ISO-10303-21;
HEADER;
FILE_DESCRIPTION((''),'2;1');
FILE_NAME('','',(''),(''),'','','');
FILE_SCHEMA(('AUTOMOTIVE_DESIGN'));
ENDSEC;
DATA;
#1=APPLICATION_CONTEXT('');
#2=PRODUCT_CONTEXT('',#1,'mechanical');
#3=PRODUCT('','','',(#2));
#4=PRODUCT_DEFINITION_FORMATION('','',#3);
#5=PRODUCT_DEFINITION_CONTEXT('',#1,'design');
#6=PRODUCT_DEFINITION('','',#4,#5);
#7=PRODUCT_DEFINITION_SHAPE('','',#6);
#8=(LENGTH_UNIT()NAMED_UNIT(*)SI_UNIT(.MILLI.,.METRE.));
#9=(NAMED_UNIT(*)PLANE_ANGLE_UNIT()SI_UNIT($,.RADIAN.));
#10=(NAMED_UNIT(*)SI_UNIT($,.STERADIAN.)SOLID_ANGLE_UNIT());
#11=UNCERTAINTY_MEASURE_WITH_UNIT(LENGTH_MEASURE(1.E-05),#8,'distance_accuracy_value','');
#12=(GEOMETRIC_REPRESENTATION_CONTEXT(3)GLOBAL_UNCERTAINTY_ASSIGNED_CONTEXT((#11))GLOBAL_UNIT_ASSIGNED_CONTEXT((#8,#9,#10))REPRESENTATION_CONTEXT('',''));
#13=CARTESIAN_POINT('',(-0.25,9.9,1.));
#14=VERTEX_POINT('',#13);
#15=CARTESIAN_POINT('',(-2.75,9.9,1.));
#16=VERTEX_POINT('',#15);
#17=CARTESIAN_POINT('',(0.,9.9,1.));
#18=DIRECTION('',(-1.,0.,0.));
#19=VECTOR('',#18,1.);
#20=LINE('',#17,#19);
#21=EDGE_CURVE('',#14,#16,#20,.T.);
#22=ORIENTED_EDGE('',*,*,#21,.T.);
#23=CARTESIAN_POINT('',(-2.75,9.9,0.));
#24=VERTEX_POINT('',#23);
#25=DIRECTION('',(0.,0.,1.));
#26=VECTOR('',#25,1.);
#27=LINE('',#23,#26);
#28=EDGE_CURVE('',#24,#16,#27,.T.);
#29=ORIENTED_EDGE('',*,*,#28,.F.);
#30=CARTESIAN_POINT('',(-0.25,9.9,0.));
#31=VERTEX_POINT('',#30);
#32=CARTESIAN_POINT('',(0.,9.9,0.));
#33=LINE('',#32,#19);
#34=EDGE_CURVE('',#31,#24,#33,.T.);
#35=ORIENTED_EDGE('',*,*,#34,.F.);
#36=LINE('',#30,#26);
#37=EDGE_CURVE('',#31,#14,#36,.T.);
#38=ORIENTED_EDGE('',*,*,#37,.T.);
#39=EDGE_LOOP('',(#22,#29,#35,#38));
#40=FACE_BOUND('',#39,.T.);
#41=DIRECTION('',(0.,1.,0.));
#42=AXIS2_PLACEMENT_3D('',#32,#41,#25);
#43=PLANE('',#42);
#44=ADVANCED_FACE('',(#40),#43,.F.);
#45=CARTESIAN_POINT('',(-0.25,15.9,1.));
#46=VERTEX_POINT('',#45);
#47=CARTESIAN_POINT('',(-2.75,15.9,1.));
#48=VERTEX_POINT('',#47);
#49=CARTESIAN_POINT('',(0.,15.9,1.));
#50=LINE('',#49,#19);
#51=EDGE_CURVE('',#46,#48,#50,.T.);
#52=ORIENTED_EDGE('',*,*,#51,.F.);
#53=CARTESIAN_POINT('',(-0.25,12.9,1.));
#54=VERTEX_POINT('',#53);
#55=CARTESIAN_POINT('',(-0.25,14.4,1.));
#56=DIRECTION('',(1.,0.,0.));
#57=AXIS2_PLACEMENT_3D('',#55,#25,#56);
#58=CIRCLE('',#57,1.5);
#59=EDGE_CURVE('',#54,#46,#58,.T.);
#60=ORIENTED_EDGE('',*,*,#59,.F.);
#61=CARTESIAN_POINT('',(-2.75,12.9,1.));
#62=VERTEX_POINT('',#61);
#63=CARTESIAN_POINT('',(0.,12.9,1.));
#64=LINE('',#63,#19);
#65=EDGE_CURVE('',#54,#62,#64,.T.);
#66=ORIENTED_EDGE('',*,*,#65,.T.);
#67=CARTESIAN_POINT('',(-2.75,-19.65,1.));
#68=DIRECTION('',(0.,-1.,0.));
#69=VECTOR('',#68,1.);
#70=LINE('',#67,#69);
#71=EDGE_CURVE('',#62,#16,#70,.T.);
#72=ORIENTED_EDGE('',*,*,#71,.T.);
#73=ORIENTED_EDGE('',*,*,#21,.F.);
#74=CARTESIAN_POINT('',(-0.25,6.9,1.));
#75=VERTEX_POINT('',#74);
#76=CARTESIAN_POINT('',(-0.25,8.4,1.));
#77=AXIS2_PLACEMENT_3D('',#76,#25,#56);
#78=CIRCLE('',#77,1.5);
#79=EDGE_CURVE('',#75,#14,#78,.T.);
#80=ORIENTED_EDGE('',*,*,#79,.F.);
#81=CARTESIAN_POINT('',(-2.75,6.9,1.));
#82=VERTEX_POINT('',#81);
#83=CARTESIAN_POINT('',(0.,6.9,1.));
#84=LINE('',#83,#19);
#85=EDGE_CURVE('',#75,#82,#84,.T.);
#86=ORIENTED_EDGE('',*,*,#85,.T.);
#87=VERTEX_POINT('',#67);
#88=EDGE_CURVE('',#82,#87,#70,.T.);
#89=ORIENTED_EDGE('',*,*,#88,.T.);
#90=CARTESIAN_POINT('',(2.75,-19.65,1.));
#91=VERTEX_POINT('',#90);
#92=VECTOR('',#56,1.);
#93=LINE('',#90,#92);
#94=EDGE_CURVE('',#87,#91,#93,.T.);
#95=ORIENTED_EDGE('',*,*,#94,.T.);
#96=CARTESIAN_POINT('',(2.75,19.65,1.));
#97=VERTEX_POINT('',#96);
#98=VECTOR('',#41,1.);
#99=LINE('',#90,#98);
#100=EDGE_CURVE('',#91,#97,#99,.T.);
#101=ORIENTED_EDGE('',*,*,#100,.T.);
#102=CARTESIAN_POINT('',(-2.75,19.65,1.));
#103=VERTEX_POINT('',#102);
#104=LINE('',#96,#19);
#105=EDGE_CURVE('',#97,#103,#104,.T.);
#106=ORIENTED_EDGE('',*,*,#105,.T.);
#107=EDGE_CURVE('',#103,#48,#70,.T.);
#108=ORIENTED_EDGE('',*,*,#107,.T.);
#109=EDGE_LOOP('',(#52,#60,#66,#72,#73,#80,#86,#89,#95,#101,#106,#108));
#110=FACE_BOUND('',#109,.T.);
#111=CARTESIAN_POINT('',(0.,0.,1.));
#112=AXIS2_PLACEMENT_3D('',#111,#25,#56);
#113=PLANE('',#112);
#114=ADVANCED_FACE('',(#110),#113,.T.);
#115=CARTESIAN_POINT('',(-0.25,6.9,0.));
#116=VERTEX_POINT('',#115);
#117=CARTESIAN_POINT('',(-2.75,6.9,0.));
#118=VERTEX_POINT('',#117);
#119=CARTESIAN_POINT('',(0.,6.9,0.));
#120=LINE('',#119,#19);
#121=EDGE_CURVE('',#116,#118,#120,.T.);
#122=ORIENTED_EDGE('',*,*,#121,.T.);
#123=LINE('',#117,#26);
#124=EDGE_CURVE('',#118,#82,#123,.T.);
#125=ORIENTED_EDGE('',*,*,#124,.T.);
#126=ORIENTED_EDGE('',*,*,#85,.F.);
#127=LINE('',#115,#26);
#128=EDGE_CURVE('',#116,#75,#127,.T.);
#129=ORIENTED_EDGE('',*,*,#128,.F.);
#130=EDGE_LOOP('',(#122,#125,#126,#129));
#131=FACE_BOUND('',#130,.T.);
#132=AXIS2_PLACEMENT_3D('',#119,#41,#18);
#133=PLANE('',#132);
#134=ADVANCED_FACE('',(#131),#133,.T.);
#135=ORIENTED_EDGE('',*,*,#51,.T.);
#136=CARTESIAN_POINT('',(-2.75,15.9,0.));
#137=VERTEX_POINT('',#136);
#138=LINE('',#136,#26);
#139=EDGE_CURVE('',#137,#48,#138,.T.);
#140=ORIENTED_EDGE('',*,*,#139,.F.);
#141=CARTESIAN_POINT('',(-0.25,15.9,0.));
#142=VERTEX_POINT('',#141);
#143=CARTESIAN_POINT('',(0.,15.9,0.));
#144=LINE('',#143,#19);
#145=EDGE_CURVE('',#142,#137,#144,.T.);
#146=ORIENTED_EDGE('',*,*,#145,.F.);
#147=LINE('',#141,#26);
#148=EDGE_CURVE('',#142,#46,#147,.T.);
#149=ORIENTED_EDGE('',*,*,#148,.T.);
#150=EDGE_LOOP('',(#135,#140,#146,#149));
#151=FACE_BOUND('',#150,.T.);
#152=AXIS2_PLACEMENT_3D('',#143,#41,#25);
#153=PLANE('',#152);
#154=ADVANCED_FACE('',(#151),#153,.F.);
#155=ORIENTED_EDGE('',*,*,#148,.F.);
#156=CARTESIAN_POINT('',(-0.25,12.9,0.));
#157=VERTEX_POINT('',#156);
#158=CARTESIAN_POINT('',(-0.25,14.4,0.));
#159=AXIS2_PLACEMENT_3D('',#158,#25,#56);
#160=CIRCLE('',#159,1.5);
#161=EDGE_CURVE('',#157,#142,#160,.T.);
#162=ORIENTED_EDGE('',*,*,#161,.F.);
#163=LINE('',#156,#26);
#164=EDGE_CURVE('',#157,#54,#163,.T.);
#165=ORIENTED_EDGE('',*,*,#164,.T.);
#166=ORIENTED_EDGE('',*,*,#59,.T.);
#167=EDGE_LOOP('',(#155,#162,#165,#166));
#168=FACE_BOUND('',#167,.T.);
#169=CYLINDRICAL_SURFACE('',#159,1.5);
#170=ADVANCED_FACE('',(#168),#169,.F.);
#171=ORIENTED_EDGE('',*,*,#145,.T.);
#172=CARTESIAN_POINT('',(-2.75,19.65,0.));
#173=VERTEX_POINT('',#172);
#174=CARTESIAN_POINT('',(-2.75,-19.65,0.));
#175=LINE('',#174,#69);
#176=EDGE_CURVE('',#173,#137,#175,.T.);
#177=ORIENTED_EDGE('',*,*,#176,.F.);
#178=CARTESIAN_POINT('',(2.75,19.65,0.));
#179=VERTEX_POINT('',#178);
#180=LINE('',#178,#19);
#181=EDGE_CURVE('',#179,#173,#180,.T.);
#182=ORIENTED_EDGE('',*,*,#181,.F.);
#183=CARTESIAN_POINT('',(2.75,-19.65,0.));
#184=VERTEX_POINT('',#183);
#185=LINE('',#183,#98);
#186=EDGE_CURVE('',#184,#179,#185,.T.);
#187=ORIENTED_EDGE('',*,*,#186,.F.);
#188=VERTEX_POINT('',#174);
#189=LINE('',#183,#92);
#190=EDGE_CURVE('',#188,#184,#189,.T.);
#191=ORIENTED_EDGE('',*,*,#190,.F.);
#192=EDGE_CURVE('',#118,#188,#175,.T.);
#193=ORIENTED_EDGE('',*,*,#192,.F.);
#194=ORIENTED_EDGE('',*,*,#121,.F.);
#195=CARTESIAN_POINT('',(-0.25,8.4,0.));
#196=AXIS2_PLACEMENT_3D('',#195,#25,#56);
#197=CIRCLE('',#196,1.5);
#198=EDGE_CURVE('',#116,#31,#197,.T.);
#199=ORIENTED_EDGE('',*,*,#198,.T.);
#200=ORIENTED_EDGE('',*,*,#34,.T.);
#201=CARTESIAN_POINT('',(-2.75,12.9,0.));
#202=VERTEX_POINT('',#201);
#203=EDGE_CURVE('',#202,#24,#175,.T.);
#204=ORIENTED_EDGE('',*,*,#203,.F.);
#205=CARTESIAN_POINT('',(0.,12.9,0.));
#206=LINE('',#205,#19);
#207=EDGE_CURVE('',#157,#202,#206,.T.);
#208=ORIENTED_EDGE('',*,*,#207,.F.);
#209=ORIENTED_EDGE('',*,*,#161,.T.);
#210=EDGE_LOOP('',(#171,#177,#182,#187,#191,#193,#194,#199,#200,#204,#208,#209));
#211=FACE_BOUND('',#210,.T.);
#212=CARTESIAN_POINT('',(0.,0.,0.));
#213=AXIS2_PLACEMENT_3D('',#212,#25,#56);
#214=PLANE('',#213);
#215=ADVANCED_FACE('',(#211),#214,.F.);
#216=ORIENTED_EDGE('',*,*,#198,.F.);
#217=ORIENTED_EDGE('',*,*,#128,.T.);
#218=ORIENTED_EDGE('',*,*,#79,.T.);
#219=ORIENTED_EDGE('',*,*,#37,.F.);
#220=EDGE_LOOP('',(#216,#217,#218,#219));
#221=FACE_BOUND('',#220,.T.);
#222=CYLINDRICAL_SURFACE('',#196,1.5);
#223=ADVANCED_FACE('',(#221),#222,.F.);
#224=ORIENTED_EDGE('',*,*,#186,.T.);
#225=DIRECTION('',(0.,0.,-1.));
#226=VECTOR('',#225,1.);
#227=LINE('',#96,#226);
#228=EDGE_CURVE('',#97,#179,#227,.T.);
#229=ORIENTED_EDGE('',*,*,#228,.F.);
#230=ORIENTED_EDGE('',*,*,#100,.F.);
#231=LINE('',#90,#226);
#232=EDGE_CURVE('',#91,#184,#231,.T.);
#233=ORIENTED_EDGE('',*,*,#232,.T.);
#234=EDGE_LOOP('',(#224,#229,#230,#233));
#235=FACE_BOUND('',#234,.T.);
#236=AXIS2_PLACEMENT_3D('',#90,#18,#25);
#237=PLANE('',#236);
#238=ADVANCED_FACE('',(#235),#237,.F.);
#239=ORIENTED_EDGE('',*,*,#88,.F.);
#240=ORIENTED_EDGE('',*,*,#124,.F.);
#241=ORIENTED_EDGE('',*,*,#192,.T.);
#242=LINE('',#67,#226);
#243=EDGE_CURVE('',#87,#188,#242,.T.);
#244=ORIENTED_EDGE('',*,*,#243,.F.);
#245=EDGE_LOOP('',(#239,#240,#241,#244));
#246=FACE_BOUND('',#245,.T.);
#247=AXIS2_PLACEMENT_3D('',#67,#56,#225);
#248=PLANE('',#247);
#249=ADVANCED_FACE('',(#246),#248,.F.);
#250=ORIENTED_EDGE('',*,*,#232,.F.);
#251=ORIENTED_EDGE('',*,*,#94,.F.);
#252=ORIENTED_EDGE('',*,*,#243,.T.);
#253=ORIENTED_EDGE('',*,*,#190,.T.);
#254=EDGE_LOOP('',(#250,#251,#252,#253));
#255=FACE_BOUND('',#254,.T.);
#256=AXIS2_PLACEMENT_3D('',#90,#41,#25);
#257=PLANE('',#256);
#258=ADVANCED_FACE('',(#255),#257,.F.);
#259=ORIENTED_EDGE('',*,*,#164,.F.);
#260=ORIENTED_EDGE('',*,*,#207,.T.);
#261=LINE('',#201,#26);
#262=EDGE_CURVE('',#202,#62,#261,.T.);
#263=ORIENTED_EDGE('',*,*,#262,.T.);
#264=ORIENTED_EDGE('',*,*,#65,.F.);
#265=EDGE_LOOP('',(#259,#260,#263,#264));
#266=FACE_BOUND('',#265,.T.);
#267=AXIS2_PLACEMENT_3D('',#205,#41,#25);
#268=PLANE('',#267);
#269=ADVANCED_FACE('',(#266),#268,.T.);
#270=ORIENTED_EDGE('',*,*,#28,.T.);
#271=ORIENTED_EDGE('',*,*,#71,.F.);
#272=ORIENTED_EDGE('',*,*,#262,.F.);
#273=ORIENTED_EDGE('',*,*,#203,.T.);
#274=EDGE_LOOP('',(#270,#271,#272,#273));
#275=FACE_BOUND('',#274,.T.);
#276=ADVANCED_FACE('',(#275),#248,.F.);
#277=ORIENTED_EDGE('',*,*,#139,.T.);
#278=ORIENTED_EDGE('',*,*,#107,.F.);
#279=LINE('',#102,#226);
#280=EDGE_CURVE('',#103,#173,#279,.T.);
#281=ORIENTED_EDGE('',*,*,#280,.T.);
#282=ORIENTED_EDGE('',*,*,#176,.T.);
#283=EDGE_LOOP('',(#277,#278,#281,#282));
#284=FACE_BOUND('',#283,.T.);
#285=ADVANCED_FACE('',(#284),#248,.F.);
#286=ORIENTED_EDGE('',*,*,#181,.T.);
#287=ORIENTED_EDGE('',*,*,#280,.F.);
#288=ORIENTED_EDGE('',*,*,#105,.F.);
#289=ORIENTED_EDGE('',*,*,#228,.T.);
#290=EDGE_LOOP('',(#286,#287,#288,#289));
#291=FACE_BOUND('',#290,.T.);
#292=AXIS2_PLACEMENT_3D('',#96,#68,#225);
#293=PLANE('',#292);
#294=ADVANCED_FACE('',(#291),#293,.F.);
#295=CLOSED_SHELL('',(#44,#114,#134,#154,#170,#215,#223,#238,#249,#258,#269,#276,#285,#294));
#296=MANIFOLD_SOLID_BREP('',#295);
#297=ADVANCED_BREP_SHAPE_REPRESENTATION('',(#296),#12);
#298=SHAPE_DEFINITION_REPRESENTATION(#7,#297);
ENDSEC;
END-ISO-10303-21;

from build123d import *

# Parameters (mm, degrees)
SKETCH1_W           = 5.5
SKETCH1_H           = 39.3
BOSS_EXTRUDE1_DEPTH = 1
CUT_EXTRUDE2_DEPTH  = 1


with BuildPart() as part:
    # Sketch1 → Boss-Extrude1 (new body)
    with BuildSketch(Plane.XY):
        Rectangle(SKETCH1_W, SKETCH1_H)
    extrude(amount=BOSS_EXTRUDE1_DEPTH)

    # Sketch2 → Cut-Extrude2 (cut)
    with BuildSketch(Plane.XY.offset(1)):
        with BuildLine():
            ThreePointArc((-0.25, 12.9), (-1.75, 14.4), (-0.25, 15.9))
            Line((-0.25, 15.9), (-2.75, 15.9))
            Line((-2.75, 15.9), (-2.75, 12.9))
            Line((-2.75, 12.9), (-0.25, 12.9))
        make_face()
        with BuildLine():
            ThreePointArc((1.25, 14.4), (0.810660172, 15.460660172), (-0.25, 15.9))
            Line((-0.25, 15.9), (-0.25, 12.9))
            ThreePointArc((-0.25, 12.9), (0.810660172, 13.339339828), (1.25, 14.4))
        make_face()
        with BuildLine():
            Line((-0.25, 12.9), (-0.25, 15.9))
            ThreePointArc((-0.25, 15.9), (-1.75, 14.4), (-0.25, 12.9))
        make_face()
        with BuildLine():
            Line((-0.25, 9.9), (-2.75, 9.9))
            Line((-2.75, 9.9), (-2.75, 6.9))
            Line((-2.75, 6.9), (-0.25, 6.9))
            ThreePointArc((-0.25, 6.9), (-1.75, 8.4), (-0.25, 9.9))
        make_face()
        with BuildLine():
            ThreePointArc((1.25, 8.4), (0.810660172, 9.460660172), (-0.25, 9.9))
            Line((-0.25, 9.9), (-0.25, 6.9))
            ThreePointArc((-0.25, 6.9), (0.810660172, 7.339339828), (1.25, 8.4))
        make_face()
        with BuildLine():
            Line((-0.25, 6.9), (-0.25, 9.9))
            ThreePointArc((-0.25, 9.9), (-1.75, 8.4), (-0.25, 6.9))
        make_face()
    extrude(amount=-CUT_EXTRUDE2_DEPTH, mode=Mode.SUBTRACT)


solid = part.part
